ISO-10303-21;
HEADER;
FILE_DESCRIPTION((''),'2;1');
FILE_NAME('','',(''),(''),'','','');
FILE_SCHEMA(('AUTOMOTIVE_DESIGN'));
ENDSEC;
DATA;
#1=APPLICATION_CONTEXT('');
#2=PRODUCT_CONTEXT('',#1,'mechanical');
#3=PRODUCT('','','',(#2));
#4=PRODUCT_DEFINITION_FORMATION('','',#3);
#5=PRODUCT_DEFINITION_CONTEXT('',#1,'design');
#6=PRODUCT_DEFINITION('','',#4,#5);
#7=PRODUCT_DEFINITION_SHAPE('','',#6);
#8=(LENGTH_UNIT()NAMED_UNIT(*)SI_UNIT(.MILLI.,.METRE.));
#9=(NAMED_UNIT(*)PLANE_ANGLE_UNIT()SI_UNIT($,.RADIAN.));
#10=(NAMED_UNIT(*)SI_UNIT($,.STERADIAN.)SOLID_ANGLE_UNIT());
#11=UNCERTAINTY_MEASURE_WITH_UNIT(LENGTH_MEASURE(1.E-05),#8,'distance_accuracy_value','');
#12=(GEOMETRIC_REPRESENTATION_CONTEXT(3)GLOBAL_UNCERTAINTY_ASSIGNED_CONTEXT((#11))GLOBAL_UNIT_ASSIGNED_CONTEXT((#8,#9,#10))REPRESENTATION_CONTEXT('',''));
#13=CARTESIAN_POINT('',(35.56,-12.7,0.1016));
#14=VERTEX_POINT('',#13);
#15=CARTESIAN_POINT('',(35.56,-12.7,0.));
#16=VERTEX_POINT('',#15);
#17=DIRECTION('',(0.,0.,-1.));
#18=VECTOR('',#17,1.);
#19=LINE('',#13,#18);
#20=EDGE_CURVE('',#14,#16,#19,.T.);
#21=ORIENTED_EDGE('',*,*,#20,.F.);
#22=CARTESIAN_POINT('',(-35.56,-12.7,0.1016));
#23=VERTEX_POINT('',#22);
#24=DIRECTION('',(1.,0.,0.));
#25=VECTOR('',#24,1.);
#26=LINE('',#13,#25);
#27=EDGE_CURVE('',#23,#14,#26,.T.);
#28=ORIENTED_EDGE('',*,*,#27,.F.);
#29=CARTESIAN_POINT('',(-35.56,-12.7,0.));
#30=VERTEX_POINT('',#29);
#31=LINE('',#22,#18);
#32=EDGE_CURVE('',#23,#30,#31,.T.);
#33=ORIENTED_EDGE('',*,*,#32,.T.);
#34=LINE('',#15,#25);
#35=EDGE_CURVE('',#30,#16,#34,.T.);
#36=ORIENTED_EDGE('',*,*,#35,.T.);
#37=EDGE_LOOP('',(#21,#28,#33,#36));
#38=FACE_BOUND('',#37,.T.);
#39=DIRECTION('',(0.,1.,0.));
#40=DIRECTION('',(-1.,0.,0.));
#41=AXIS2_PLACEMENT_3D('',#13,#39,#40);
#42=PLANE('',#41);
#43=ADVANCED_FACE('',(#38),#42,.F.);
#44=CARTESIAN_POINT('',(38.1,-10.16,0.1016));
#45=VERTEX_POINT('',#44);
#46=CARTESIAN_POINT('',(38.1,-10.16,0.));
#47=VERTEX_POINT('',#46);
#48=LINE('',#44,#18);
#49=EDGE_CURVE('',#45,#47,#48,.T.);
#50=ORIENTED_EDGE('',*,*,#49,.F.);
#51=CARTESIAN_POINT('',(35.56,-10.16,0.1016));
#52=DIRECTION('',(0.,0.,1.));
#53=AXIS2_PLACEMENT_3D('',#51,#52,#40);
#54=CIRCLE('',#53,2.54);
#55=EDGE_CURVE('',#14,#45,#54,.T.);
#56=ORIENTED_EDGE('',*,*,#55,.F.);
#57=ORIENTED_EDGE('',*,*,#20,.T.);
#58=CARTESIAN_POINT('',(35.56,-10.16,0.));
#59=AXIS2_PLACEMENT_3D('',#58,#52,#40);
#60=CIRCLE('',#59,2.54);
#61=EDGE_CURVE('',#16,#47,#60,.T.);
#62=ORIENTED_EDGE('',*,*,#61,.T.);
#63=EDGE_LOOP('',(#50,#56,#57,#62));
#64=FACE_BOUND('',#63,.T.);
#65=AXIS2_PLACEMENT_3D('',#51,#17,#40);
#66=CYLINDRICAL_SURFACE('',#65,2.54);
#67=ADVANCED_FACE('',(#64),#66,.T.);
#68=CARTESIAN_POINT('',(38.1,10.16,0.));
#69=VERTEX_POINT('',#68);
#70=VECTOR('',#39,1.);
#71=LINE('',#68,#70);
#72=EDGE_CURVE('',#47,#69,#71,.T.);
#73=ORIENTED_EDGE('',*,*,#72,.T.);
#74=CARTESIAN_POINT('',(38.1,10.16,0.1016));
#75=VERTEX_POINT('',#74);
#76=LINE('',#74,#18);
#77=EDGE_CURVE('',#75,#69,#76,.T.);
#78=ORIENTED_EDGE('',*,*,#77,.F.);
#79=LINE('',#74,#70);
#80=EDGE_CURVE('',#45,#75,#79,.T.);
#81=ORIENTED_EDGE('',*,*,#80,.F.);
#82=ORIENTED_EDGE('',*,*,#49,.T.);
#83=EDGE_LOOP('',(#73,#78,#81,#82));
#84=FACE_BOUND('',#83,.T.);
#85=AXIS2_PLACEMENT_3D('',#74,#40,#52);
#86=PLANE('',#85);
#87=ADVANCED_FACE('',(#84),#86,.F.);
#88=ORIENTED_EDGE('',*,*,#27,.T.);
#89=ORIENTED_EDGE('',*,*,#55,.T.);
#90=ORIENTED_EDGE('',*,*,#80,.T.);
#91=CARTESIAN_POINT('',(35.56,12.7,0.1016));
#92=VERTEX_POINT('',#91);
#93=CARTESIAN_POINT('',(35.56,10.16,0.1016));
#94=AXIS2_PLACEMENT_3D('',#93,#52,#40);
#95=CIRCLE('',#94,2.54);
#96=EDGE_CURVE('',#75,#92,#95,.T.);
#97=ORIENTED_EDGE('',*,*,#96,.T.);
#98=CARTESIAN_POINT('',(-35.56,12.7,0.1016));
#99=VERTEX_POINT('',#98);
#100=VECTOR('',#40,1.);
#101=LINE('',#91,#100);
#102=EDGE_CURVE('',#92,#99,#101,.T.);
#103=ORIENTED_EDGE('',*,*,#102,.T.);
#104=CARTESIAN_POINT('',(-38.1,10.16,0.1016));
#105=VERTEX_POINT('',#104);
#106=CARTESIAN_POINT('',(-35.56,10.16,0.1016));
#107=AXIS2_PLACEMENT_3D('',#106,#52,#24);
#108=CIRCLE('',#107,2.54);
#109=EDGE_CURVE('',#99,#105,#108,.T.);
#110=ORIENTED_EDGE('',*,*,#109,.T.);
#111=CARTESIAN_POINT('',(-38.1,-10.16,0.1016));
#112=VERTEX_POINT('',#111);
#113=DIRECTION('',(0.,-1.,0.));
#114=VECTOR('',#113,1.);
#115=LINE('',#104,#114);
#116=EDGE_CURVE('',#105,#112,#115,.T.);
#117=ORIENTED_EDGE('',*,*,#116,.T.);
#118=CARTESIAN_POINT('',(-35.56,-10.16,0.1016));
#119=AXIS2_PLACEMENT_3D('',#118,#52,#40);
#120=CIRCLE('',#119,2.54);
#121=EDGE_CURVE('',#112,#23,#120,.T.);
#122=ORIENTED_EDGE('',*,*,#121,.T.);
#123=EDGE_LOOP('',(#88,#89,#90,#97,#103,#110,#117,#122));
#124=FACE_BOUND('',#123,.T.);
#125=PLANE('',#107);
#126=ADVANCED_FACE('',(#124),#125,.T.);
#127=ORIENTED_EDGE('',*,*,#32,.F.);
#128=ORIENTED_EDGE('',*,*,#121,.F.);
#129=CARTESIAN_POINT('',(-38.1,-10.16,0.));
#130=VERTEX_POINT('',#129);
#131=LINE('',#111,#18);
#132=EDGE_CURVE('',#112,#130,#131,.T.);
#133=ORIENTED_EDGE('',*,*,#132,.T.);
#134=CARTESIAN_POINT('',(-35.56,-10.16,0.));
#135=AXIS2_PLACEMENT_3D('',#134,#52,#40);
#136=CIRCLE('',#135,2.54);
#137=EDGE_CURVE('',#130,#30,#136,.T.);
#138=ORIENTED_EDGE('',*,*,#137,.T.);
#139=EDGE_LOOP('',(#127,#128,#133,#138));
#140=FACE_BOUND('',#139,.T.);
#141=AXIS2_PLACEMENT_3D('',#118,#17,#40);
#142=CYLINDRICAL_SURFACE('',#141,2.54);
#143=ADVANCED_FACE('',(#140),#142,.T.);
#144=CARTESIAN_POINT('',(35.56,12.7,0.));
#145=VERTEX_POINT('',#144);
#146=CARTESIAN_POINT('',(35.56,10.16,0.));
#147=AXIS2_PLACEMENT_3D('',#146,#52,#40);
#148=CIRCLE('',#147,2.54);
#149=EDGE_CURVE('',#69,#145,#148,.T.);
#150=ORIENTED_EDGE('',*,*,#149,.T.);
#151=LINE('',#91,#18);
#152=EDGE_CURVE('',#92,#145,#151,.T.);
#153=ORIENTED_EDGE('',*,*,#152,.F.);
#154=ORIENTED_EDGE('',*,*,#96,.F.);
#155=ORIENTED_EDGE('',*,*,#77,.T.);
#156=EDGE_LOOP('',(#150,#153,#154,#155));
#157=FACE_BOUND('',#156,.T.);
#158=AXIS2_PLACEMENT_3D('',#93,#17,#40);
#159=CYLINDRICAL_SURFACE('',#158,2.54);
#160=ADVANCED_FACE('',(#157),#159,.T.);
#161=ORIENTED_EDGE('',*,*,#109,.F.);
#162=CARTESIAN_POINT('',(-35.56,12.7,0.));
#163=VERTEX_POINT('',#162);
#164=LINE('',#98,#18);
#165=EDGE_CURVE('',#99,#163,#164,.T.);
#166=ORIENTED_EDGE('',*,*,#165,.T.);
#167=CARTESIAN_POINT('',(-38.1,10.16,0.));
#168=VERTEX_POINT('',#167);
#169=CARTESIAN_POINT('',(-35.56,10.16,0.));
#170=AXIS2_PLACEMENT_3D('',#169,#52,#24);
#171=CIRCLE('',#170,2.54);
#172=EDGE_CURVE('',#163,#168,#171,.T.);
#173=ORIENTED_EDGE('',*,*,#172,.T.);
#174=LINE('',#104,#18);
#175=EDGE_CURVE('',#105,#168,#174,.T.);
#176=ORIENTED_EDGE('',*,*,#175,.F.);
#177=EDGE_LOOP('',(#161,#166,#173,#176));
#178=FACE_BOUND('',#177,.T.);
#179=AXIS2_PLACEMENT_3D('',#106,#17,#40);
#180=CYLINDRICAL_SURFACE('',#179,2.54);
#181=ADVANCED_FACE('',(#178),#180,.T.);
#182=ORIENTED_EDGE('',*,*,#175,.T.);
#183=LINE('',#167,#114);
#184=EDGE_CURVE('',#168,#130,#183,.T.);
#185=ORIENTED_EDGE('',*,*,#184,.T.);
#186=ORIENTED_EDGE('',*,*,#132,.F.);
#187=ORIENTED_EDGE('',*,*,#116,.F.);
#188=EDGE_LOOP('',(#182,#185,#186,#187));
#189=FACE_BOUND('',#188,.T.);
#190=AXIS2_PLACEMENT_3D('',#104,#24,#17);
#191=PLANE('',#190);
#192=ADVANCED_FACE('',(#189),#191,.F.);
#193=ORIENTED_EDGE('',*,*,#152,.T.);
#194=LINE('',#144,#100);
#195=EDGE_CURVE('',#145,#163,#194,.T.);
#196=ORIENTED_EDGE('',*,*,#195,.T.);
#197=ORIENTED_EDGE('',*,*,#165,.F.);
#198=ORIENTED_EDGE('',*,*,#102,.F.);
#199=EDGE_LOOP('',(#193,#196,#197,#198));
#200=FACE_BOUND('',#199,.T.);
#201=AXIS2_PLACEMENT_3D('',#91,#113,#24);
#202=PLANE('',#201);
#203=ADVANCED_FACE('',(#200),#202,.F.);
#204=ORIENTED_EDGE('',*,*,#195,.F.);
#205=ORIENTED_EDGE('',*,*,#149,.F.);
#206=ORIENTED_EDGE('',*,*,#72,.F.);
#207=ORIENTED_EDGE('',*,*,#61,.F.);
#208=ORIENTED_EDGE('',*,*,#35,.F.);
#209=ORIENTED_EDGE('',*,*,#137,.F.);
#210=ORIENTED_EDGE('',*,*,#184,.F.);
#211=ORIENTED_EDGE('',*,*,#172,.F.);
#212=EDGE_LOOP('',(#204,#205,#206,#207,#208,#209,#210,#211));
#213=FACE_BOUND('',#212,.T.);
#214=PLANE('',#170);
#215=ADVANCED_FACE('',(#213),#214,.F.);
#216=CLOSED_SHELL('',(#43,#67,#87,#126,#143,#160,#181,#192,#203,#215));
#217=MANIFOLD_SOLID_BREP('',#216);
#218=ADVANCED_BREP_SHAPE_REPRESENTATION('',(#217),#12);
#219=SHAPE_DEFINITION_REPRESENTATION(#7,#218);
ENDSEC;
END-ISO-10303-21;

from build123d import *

# Parameters (mm, degrees)
BOSS_EXTRUDE1_DEPTH = 0.1016


with BuildPart() as part:
    # Sketch1 → Boss-Extrude1 (new body)
    with BuildSketch(Plane.XY):
        with BuildLine():
            Line((35.56, 12.7), (-35.56, 12.7))
            ThreePointArc((-35.56, 12.7), (-37.356051224, 11.956051224), (-38.1, 10.16))
            Line((-38.1, 10.16), (-38.1, -10.16))
            ThreePointArc((-38.1, -10.16), (-37.356051224, -11.956051224), (-35.56, -12.7))
            Line((-35.56, -12.7), (35.56, -12.7))
            ThreePointArc((35.56, -12.7), (37.356051224, -11.956051224), (38.1, -10.16))
            Line((38.1, -10.16), (38.1, 10.16))
            ThreePointArc((38.1, 10.16), (37.356051224, 11.956051224), (35.56, 12.7))
        make_face()
    extrude(amount=BOSS_EXTRUDE1_DEPTH)


solid = part.part
